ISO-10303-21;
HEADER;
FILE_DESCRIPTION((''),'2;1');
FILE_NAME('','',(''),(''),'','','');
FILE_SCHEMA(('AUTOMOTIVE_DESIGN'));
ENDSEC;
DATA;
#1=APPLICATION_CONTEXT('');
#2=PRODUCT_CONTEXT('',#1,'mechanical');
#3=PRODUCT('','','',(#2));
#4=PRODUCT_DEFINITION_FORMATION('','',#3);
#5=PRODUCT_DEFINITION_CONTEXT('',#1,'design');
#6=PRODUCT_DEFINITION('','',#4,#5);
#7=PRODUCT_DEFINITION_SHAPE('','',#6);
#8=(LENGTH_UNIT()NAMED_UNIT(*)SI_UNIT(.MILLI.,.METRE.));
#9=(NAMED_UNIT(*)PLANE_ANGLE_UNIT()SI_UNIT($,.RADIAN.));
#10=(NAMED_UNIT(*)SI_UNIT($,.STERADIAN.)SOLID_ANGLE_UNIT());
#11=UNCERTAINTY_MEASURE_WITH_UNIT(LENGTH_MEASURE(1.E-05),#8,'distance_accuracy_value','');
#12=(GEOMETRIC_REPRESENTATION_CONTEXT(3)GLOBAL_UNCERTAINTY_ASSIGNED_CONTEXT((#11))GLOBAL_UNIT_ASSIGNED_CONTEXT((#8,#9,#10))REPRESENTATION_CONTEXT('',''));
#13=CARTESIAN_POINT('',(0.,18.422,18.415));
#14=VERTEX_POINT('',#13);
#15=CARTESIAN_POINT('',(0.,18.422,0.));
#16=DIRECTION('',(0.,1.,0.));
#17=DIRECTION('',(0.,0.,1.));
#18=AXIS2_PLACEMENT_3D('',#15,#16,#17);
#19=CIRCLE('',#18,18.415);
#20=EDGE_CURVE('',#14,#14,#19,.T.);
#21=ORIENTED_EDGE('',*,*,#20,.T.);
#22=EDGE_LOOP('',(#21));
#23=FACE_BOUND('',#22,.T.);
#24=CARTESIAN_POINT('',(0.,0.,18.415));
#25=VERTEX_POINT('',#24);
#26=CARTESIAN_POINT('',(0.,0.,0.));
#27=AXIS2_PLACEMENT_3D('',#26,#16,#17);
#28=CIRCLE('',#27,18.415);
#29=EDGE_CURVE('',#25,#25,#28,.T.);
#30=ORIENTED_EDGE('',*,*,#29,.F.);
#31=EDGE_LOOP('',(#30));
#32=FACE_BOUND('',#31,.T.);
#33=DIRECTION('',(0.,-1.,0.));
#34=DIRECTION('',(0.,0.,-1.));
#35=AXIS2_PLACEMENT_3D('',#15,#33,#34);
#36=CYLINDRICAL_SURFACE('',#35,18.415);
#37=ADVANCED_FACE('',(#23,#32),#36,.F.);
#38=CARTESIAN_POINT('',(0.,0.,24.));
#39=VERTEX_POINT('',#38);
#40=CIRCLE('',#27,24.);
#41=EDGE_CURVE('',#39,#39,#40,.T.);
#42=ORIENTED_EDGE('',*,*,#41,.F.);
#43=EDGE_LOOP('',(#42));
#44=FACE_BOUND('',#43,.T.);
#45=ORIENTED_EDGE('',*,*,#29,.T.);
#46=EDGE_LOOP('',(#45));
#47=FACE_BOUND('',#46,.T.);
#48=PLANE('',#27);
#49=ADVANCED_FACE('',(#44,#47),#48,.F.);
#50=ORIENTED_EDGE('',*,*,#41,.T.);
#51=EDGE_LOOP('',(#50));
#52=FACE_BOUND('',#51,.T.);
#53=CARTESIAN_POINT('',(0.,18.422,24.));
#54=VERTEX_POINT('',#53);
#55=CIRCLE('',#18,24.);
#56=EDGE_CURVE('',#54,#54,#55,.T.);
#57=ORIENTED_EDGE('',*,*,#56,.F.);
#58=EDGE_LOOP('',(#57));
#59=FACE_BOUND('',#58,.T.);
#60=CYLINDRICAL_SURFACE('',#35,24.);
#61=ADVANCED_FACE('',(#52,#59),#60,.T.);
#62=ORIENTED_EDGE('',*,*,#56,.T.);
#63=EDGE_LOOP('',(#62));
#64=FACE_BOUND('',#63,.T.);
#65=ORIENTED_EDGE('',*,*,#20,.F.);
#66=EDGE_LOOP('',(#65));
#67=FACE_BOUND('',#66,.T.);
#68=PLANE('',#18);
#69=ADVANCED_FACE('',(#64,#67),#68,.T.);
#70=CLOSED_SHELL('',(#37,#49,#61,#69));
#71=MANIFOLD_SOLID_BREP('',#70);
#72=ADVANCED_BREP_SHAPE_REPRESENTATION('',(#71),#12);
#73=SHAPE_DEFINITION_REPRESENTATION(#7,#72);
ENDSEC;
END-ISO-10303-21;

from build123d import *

# Parameters (mm, degrees)
SKETCH1_R           = 24
SKETCH1_R_2         = 18.415
BOSS_EXTRUDE1_DEPTH = 18.422


with BuildPart() as part:
    # Sketch1 → Boss-Extrude1 (new body)
    with BuildSketch(Plane(origin=(0, 0, 0), x_dir=(1, 0, 0), z_dir=(0, 1, 0))):
        Circle(SKETCH1_R)
        Circle(SKETCH1_R_2, mode=Mode.SUBTRACT)
    extrude(amount=BOSS_EXTRUDE1_DEPTH)


solid = part.part
